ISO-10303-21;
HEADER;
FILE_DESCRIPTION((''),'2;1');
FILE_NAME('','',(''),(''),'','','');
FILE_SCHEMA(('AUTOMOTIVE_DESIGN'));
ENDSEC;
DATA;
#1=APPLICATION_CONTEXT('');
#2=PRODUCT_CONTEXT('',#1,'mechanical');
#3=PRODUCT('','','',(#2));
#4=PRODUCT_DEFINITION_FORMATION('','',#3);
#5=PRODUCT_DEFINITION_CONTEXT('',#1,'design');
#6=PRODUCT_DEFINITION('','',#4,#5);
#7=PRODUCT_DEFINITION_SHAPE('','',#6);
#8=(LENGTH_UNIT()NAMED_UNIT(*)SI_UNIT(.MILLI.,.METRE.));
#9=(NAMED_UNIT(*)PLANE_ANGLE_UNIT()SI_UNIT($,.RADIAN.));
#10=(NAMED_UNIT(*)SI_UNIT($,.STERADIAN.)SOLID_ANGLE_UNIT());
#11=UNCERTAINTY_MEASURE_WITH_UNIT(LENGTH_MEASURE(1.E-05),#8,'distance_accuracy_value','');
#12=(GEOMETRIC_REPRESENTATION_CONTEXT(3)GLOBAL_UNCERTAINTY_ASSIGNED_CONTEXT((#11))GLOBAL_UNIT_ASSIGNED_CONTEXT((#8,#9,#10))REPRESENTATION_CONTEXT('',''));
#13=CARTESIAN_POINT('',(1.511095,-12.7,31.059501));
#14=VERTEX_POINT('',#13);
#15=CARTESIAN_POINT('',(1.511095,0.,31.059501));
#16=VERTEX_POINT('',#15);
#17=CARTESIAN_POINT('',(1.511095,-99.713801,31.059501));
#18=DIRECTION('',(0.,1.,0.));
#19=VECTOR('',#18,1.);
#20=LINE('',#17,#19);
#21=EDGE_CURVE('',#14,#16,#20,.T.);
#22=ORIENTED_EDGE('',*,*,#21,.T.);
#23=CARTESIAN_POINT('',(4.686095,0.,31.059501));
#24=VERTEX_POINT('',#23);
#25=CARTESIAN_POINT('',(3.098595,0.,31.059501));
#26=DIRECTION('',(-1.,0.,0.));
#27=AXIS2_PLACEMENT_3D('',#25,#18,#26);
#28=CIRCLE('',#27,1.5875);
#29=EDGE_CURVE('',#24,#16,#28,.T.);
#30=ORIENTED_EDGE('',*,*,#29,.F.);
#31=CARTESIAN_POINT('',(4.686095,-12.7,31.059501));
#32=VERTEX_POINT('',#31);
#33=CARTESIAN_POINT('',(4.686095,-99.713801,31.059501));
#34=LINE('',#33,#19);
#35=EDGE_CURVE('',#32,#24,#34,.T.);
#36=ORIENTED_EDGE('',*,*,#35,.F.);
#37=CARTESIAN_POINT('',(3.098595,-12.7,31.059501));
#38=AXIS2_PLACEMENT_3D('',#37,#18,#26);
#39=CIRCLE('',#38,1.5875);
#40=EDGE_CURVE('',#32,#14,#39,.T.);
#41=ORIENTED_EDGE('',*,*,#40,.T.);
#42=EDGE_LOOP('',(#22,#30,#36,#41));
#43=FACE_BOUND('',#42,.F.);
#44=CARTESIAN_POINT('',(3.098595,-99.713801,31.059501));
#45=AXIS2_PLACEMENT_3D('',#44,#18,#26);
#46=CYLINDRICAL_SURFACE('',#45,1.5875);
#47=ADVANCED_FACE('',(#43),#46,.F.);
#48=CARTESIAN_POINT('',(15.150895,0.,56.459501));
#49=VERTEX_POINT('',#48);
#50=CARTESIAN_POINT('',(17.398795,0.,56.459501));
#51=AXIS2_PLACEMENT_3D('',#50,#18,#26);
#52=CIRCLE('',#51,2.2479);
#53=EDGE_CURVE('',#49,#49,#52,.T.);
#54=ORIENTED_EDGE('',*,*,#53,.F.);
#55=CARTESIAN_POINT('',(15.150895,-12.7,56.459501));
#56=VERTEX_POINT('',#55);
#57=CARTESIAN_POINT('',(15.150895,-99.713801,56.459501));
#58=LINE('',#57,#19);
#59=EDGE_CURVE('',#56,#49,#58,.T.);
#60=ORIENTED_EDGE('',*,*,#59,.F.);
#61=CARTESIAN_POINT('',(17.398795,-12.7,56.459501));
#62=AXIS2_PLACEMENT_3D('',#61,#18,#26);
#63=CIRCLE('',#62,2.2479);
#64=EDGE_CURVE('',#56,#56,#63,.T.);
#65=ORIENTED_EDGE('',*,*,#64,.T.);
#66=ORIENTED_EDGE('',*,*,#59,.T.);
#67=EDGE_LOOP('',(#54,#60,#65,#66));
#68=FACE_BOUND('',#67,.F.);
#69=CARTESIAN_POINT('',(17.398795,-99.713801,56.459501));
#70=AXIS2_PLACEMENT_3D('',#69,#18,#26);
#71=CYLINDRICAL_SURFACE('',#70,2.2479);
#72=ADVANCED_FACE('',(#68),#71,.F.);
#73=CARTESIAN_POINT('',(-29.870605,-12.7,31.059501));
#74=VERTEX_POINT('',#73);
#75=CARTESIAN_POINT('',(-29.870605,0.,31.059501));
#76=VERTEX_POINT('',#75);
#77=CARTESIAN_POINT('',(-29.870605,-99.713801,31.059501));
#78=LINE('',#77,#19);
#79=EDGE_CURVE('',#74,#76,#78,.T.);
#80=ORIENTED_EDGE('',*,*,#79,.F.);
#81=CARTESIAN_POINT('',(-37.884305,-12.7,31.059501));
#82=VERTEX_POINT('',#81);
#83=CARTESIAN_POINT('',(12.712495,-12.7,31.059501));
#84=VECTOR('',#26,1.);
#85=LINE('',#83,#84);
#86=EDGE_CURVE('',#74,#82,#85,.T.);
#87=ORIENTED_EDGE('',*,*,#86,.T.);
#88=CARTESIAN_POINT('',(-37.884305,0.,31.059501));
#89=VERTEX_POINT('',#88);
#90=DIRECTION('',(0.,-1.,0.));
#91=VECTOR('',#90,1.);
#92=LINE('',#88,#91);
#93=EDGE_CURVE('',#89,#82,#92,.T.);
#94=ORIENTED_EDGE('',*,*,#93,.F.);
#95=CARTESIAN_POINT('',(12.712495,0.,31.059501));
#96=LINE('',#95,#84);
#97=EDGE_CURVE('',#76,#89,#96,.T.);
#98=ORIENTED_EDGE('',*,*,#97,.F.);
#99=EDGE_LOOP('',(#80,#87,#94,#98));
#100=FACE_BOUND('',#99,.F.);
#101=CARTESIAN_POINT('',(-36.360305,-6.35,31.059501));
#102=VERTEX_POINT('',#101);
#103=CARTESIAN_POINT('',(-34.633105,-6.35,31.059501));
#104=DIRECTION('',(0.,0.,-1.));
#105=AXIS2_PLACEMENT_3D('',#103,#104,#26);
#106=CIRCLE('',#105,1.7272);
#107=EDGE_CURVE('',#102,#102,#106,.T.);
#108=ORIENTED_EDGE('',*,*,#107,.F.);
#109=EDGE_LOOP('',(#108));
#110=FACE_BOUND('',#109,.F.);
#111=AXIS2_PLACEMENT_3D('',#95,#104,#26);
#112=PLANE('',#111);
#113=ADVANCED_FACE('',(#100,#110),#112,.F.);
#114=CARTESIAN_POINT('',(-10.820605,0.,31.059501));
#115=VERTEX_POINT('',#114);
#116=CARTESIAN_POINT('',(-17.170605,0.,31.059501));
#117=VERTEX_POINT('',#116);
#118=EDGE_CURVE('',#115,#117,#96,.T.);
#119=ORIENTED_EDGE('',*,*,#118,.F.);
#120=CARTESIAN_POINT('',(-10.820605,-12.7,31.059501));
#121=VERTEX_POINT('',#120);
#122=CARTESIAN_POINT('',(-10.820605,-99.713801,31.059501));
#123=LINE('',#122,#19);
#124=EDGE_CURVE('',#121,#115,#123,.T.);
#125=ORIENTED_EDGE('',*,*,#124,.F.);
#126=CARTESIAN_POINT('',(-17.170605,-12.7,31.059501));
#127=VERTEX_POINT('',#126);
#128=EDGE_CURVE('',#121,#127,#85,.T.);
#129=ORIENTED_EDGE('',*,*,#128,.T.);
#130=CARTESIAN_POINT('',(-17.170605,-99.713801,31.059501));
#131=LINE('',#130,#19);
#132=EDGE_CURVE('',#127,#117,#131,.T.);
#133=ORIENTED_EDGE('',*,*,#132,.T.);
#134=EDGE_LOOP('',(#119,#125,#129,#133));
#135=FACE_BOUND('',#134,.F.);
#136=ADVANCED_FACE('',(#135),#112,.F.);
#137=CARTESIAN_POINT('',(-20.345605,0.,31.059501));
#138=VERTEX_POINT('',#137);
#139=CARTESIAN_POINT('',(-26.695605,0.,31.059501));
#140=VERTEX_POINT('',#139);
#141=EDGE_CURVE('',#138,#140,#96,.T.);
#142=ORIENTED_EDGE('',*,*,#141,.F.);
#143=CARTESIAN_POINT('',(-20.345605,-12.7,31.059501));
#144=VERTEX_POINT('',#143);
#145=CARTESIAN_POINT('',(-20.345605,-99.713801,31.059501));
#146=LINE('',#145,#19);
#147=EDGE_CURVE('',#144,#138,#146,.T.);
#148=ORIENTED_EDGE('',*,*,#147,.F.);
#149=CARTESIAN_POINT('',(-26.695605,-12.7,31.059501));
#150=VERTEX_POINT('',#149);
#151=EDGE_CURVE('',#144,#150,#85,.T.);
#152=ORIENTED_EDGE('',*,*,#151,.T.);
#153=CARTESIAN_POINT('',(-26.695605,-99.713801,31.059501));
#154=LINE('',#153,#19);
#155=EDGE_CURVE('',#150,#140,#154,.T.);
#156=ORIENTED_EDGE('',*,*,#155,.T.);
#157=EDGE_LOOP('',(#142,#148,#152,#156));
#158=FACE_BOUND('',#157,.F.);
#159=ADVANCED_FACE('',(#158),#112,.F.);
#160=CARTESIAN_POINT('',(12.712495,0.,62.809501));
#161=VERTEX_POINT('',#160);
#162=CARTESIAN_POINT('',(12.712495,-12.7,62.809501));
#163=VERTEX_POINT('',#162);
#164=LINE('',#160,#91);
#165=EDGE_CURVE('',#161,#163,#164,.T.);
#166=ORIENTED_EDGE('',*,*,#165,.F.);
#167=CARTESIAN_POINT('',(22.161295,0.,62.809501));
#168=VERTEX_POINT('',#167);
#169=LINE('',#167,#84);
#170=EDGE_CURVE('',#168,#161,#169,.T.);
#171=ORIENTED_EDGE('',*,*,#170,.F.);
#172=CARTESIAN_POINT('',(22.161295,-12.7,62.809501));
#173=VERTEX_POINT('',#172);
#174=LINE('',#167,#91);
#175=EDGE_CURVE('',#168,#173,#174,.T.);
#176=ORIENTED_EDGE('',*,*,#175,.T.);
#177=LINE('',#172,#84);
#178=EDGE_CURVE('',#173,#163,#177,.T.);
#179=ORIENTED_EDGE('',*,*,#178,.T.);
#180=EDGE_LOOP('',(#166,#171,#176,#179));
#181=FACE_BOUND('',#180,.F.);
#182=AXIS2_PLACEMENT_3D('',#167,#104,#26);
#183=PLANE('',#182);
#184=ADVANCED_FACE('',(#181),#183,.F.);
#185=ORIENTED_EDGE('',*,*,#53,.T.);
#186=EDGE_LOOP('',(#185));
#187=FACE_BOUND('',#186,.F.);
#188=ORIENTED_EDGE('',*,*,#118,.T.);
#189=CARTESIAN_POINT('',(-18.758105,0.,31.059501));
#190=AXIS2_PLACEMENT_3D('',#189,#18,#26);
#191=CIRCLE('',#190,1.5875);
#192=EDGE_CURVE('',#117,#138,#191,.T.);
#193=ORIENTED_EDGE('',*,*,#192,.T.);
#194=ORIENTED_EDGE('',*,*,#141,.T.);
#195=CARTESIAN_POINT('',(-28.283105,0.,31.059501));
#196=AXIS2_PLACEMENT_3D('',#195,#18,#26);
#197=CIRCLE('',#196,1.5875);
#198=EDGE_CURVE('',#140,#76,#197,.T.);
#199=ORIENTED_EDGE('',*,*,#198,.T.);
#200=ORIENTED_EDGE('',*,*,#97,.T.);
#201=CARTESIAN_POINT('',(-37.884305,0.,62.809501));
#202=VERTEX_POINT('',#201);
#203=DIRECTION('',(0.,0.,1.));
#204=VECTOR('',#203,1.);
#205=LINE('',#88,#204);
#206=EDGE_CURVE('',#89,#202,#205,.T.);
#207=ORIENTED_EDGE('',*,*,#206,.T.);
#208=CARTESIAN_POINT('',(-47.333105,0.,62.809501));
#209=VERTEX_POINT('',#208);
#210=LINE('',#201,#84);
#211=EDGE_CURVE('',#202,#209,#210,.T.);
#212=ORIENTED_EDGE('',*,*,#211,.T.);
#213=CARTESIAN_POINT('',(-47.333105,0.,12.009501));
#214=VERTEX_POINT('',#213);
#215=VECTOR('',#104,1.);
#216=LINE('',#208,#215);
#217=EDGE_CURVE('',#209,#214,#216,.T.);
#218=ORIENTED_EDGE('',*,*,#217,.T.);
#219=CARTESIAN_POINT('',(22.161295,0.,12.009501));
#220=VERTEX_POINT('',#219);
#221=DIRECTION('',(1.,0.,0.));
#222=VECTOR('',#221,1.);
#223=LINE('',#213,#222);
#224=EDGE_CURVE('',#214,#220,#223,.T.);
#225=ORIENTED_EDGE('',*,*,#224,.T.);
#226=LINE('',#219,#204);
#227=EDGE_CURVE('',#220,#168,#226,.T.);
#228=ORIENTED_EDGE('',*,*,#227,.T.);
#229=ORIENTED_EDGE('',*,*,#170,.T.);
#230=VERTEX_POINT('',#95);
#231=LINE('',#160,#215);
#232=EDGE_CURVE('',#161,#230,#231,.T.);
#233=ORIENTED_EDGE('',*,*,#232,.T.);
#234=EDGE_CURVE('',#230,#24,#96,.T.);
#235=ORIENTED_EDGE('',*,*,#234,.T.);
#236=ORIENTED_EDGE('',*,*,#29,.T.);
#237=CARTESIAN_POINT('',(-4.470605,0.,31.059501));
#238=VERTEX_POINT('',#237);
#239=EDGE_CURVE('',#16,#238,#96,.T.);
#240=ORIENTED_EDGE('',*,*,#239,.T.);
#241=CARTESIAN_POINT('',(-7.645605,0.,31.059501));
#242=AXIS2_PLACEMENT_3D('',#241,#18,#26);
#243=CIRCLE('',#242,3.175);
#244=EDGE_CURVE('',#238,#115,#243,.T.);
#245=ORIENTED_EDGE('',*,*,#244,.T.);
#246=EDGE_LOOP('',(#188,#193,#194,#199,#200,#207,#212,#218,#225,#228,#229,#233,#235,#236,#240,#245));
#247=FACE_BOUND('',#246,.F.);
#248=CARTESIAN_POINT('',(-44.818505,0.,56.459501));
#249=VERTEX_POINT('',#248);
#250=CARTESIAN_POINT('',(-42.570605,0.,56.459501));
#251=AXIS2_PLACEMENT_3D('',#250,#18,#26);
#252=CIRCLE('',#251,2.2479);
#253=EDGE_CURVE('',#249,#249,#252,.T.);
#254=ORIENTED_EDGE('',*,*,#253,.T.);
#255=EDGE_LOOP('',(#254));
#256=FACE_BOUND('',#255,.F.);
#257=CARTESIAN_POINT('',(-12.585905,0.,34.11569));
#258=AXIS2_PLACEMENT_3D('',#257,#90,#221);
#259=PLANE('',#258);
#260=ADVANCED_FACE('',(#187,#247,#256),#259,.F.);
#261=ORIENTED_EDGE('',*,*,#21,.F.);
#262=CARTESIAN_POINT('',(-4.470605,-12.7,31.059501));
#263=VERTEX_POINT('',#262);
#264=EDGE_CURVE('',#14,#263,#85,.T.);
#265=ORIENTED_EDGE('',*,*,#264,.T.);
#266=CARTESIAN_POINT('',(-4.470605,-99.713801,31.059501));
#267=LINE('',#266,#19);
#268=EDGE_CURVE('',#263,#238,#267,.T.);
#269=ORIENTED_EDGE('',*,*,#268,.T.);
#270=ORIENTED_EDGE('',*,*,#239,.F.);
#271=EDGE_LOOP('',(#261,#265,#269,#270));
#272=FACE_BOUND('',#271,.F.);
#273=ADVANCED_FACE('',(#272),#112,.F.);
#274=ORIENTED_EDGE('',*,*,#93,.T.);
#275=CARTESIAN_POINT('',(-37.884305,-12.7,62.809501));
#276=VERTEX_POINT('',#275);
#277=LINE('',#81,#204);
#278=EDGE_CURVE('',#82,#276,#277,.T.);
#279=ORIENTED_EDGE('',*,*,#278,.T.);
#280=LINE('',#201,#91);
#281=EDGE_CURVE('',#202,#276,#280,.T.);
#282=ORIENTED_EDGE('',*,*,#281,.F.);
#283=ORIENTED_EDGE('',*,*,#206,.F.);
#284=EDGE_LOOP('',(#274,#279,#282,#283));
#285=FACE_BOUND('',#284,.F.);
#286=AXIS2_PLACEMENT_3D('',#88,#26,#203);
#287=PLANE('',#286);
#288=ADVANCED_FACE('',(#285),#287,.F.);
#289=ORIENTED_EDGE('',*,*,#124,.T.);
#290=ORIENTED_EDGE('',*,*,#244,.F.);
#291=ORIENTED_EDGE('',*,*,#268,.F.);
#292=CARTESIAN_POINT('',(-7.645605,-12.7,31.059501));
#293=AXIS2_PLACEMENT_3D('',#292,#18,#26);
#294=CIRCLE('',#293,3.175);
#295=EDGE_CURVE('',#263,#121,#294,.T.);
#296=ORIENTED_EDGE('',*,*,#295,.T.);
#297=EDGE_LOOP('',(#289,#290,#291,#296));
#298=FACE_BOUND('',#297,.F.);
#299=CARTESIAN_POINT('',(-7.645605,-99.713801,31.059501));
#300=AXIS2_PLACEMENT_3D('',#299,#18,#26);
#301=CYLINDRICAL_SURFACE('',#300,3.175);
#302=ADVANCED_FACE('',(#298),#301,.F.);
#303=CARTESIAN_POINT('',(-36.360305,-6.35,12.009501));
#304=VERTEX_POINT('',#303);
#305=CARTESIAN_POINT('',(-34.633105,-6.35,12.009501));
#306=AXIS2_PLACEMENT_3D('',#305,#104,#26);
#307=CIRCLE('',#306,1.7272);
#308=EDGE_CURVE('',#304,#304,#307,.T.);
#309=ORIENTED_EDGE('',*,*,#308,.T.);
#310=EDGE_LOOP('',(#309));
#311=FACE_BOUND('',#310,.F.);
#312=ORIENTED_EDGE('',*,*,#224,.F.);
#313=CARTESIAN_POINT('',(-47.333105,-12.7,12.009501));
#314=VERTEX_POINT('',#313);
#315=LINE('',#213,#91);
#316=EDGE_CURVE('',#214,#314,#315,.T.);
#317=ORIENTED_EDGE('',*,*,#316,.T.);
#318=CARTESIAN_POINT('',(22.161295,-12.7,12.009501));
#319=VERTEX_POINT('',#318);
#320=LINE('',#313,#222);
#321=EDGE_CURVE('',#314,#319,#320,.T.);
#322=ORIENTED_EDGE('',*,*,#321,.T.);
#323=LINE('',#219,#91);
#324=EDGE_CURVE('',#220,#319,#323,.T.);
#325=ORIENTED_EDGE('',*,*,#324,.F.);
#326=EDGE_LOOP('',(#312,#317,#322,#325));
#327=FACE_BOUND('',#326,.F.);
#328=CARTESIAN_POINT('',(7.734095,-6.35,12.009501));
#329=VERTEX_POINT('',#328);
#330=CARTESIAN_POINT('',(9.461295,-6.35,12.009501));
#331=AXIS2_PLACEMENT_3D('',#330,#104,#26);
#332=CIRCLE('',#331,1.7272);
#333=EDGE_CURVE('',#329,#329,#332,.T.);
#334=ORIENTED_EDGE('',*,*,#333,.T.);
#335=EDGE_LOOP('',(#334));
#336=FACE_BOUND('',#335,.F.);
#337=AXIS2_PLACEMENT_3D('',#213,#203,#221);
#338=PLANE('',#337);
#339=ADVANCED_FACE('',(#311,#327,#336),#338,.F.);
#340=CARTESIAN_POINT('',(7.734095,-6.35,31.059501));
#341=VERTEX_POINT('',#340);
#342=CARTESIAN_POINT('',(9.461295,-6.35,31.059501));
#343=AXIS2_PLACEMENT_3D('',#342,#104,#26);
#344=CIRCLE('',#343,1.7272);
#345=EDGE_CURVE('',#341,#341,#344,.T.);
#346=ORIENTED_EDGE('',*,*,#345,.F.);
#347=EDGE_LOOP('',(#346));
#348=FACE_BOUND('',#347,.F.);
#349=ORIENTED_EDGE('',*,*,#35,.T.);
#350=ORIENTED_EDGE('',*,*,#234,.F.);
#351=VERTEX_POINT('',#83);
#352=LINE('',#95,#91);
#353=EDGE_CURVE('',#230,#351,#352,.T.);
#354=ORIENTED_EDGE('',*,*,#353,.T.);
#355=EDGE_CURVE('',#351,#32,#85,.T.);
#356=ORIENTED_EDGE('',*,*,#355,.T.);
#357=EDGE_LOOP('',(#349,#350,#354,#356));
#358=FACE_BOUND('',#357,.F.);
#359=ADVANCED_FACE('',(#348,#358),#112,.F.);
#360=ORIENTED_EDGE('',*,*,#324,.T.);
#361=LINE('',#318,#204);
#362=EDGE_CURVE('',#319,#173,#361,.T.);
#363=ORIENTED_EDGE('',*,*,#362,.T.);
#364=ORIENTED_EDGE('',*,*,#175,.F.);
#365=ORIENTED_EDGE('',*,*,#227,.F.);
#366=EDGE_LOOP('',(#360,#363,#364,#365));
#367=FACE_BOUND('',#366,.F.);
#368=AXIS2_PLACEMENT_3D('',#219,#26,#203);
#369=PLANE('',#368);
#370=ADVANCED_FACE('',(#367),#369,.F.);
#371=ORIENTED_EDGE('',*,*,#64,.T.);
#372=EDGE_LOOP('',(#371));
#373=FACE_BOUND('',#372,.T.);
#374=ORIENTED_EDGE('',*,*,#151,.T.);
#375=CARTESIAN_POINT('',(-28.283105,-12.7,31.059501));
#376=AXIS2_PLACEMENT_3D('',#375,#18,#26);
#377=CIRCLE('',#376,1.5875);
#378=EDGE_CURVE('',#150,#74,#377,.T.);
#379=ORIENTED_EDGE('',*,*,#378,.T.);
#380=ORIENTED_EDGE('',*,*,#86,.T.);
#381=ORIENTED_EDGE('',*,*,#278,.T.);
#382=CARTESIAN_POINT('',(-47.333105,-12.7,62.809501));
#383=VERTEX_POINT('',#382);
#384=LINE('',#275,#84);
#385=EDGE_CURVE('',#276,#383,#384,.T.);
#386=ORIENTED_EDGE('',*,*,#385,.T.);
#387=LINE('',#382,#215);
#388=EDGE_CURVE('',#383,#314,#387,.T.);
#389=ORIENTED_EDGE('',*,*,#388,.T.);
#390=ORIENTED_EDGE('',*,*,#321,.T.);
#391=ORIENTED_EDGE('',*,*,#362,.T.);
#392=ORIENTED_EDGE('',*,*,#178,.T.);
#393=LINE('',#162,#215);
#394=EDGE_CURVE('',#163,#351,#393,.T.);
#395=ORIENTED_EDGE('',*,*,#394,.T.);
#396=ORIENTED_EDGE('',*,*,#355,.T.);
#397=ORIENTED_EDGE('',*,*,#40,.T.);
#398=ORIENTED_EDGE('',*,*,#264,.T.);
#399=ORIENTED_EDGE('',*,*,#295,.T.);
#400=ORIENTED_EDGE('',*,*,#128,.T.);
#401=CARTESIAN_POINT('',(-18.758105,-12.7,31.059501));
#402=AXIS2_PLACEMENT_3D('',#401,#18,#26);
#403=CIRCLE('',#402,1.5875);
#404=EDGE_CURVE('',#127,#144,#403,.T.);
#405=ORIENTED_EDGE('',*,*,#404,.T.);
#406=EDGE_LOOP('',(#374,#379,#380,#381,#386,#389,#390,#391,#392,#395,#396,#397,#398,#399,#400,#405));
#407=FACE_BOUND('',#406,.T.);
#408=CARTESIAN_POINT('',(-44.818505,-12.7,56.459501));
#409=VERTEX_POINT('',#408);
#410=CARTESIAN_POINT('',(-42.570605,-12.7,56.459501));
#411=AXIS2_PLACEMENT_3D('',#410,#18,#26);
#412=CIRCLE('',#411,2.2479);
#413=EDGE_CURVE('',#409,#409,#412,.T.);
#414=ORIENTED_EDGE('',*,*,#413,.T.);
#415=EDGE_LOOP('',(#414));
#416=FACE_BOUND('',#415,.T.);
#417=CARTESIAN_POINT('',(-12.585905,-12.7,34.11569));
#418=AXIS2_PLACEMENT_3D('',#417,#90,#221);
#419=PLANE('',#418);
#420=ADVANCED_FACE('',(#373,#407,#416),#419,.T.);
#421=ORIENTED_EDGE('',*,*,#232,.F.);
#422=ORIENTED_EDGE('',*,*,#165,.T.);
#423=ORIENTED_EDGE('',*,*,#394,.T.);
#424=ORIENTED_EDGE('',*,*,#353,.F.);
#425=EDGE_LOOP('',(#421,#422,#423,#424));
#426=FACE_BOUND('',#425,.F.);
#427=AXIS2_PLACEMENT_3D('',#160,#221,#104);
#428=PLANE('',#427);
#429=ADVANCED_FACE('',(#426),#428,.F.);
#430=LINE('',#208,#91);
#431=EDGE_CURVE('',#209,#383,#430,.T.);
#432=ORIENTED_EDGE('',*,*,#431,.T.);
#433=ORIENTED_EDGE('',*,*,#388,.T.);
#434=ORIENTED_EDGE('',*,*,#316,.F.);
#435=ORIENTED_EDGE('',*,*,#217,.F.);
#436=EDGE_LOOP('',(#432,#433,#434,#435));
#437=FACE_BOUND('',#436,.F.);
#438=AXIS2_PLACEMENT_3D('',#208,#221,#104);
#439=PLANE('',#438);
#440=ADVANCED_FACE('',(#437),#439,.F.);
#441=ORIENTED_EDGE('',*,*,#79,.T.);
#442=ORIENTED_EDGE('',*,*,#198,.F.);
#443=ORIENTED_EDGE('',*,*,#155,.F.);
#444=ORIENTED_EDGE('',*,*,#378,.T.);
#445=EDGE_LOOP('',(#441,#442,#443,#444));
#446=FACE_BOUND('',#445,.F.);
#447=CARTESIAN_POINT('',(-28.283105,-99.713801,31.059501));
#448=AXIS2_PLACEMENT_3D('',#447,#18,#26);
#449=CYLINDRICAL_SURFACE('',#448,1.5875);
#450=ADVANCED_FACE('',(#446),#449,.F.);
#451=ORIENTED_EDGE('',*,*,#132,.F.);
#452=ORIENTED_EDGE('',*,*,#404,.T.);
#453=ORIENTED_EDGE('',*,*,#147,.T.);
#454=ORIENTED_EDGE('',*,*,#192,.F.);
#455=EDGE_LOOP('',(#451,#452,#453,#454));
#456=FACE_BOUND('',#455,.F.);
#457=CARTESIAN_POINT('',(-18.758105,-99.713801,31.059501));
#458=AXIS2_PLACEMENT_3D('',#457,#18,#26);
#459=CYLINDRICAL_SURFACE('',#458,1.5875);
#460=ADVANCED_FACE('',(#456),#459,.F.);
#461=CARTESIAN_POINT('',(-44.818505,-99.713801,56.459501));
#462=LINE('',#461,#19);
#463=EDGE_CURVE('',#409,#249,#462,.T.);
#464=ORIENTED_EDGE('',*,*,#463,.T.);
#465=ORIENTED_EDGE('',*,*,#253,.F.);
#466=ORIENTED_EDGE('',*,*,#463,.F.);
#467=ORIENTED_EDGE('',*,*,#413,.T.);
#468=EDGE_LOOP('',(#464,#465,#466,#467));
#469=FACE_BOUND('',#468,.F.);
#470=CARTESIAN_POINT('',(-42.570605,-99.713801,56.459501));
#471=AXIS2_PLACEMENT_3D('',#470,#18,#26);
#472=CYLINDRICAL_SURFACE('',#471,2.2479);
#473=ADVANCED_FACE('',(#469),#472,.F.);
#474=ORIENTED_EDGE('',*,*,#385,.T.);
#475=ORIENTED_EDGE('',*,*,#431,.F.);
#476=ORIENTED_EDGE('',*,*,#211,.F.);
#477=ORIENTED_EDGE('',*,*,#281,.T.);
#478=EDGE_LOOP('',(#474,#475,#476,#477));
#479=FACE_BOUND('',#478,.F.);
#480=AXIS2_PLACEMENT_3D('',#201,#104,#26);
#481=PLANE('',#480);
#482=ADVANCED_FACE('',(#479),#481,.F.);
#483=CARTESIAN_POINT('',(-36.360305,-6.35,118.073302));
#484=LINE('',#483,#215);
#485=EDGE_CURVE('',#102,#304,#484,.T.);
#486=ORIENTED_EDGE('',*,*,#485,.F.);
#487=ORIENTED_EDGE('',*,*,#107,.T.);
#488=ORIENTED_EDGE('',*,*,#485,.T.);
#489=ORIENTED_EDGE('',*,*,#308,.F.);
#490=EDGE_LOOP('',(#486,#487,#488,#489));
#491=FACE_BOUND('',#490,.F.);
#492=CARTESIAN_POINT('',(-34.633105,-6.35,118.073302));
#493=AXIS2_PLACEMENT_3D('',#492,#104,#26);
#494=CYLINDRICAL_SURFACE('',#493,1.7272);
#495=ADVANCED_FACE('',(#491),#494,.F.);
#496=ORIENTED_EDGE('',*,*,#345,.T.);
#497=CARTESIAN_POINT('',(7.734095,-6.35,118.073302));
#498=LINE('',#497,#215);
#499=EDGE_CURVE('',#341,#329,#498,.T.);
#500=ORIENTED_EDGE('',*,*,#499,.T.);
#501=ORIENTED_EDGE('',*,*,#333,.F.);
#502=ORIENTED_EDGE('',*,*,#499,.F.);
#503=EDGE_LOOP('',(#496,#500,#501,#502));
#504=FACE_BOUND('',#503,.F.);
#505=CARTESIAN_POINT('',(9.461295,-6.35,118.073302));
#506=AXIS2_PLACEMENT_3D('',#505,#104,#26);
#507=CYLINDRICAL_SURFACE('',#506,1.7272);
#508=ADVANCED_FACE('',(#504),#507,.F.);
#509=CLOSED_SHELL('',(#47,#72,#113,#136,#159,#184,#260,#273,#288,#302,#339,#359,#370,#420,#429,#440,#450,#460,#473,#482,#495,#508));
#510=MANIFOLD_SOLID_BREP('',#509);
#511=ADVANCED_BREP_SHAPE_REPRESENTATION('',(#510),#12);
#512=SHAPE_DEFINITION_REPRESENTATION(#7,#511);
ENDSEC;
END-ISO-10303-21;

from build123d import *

# Parameters (mm, degrees)
F1_DEPTH = 12.7
F3_D     = 3.175
F4_D     = 6.35
F6_D     = 4.4958
F8_D     = 3.4544
F10_D    = 3.4544


with BuildPart() as f1:
    # F0 (on Front) → F1 (new body)
    with BuildSketch(Plane.XZ):
        Polygon((-37.8843045536, 62.8095008674), (-47.3331045536, 62.8095008674), (-47.3331045536, 12.0095008674), (22.1612954464, 12.0095008674), (22.1612954464, 62.8095008674), (12.7124954464, 62.8095008674), (12.7124954464, 31.0595008674), (-37.8843045536, 31.0595008674), align=None)
    extrude(amount=F1_DEPTH)

    # F3 (through all)
    with Locations(Plane.XZ.offset(12.7)):
        with Locations((-28.2831045536, 31.0595008674), (-18.7581045536, 31.0595008674), (3.0985954464, 31.0595008674)):
            Hole(F3_D / 2)

    # F4 (through all)
    with Locations(Plane.XZ.offset(12.7)):
        with Locations((-7.6456045536, 31.0595008674)):
            Hole(F4_D / 2)

    # F6 (through all)
    with Locations(Plane.XZ.offset(12.7)):
        with Locations((-42.5706045536, 56.4595008674), (17.3987954464, 56.4595008674)):
            Hole(F6_D / 2)

    # F8 (through all)
    with Locations(Plane.XY.offset(31.0595008674)):
        with Locations((-34.6331045536, -6.35)):
            Hole(F8_D / 2)

    # F10 (through all)
    with Locations(Plane.XY.offset(31.0595008674)):
        with Locations((9.4612954464, -6.35)):
            Hole(F10_D / 2)


solid = f1.part
